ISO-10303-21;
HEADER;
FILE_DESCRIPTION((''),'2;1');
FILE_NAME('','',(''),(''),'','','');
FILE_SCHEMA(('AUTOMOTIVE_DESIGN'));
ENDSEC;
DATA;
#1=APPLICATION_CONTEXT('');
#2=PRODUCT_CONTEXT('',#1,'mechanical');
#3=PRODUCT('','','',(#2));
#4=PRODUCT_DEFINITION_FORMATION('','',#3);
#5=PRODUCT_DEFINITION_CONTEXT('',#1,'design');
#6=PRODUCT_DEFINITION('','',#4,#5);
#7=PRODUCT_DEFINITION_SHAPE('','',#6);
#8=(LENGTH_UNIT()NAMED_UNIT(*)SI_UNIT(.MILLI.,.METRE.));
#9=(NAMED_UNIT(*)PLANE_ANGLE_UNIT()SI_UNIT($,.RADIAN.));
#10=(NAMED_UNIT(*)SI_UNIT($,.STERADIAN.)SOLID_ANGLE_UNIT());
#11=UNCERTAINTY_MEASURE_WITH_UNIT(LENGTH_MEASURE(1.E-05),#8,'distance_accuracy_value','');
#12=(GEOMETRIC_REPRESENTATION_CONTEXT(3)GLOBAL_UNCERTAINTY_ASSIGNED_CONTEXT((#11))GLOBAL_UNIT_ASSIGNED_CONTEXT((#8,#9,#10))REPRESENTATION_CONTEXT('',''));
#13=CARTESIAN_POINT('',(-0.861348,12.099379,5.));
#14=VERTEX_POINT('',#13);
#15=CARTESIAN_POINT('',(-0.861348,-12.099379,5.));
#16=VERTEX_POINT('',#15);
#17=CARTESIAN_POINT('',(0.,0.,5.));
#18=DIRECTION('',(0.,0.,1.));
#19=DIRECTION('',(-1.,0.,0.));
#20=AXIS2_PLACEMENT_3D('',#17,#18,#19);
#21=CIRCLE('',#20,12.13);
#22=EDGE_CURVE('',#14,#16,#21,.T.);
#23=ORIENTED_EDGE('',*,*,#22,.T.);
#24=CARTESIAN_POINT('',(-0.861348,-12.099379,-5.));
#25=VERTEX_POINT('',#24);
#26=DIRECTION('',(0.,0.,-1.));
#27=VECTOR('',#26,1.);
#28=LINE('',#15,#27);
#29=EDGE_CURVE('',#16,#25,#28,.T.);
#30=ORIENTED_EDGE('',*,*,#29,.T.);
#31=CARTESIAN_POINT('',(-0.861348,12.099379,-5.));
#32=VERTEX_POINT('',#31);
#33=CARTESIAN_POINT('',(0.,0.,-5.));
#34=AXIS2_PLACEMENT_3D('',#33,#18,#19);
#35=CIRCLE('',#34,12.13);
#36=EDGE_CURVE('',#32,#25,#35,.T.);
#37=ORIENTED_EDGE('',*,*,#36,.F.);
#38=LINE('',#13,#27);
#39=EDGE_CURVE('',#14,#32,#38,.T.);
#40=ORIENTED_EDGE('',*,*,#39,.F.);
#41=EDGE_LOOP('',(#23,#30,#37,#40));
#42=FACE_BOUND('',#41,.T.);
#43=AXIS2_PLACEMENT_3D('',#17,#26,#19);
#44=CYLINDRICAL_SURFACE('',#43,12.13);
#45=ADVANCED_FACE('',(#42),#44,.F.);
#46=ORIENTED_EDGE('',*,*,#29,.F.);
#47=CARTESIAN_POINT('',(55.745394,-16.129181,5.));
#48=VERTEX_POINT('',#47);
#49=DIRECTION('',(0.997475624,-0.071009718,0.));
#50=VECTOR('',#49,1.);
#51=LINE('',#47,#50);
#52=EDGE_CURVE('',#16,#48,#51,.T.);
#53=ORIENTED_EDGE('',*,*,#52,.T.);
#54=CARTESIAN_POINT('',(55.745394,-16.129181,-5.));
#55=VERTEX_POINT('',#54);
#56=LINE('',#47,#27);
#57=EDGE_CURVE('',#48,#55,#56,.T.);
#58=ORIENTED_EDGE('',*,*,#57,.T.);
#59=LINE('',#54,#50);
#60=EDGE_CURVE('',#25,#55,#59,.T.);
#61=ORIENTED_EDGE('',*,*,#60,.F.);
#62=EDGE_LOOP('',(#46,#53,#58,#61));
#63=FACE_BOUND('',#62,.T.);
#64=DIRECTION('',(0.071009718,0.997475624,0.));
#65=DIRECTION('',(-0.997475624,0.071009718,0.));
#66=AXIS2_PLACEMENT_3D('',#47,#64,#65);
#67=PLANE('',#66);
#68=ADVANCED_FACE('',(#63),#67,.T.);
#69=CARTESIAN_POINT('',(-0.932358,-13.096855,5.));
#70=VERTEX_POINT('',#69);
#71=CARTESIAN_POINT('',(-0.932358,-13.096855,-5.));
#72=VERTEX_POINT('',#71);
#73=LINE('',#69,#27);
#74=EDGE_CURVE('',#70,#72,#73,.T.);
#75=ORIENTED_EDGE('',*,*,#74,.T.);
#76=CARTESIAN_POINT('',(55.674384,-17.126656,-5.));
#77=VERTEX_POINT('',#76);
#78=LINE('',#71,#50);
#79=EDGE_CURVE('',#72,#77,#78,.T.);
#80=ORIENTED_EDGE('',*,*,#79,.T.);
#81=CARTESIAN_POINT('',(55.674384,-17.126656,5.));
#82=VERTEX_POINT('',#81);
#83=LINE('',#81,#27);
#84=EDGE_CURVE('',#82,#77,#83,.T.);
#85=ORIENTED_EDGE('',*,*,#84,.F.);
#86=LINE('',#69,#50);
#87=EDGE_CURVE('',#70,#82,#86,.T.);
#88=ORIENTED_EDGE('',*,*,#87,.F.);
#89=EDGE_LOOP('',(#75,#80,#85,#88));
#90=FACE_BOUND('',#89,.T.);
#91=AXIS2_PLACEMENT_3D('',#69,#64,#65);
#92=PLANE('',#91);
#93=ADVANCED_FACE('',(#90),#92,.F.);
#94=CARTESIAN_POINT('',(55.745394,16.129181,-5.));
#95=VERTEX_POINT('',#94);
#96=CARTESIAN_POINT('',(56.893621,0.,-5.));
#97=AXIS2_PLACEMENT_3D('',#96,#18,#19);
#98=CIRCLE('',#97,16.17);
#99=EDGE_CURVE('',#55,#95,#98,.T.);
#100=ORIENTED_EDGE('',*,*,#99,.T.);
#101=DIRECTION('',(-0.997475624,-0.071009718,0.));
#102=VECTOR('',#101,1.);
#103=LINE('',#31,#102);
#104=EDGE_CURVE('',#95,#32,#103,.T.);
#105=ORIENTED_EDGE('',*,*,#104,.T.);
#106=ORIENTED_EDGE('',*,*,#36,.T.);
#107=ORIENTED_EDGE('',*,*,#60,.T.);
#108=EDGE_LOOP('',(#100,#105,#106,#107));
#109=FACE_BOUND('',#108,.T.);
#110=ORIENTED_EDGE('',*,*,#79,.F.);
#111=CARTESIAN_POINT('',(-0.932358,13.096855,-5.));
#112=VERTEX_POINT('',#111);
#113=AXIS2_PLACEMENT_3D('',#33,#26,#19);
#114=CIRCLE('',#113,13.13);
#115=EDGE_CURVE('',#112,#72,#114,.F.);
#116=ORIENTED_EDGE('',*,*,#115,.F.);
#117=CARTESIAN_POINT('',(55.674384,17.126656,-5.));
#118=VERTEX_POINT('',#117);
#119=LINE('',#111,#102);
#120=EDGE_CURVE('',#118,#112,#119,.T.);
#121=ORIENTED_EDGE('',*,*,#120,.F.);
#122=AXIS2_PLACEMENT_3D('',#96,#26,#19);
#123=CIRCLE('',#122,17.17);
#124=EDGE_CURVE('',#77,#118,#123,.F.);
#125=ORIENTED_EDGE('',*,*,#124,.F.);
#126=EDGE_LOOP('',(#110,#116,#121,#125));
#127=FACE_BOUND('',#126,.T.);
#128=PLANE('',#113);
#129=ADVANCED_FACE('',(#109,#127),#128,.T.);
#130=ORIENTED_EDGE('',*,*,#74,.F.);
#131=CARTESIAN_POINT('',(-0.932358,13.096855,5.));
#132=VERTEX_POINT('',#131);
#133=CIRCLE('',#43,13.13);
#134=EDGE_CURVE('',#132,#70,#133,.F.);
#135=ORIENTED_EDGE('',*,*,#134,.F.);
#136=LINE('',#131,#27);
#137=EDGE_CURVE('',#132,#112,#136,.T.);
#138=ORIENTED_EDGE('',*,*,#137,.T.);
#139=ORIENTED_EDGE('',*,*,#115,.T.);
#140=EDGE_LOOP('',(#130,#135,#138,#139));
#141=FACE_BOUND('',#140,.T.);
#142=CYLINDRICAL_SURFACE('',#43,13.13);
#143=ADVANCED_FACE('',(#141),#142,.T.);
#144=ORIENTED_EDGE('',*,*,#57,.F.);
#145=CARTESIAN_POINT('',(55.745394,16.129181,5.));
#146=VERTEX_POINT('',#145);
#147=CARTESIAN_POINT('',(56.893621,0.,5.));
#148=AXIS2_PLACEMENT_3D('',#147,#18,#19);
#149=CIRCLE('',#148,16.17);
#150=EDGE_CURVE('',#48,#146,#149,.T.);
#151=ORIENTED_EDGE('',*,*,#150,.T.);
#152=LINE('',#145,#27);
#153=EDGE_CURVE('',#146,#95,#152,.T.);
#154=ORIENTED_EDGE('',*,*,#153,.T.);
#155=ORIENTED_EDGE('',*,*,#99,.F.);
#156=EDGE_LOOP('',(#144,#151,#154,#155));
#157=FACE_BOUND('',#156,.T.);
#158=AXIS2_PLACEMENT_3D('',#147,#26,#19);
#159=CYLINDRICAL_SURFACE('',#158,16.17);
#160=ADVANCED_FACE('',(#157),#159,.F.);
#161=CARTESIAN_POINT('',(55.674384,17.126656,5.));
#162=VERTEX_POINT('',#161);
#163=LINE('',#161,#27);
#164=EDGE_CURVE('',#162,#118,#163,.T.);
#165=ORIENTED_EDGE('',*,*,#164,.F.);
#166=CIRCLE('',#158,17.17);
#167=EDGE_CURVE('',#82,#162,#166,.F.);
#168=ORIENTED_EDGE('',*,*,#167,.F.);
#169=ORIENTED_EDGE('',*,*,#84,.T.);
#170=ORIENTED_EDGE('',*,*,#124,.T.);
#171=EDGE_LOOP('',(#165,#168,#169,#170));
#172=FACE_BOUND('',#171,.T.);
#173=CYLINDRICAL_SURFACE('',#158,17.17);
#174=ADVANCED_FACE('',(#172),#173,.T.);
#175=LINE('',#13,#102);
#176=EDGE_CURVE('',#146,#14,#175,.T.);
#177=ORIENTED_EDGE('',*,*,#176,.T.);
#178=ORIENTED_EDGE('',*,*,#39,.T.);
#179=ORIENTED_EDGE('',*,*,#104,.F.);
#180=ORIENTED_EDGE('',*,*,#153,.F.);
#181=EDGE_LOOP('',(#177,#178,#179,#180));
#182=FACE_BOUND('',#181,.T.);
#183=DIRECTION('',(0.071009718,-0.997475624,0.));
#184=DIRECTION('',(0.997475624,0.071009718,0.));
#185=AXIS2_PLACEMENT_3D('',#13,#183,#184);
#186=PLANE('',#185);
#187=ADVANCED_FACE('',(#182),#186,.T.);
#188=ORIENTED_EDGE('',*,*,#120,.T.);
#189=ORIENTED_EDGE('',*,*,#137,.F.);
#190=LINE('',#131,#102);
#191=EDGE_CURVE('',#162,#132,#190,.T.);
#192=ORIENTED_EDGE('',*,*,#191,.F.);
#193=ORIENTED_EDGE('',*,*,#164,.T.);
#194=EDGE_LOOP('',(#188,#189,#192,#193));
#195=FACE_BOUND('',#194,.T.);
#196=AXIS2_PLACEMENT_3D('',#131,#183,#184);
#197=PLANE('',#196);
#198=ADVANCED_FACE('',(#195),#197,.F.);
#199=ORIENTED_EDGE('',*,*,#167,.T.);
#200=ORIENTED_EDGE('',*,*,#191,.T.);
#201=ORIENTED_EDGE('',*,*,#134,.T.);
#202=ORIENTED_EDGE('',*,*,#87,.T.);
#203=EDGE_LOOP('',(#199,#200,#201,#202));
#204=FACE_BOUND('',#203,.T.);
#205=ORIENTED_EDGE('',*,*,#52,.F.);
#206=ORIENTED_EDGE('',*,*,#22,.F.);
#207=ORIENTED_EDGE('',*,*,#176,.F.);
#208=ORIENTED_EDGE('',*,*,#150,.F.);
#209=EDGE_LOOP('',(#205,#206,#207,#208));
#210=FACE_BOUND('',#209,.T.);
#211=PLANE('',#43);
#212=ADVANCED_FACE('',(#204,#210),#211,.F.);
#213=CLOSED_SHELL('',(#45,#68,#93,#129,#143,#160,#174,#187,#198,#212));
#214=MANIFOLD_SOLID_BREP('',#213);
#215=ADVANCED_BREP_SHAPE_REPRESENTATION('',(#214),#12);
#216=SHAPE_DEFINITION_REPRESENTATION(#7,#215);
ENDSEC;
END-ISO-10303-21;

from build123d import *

# Parameters (mm, degrees)
EXTRU_MINCE1_DEPTH = 5


with BuildPart() as part:
    # Esquisse1 → Extru.-Mince1 (new, symmetric)
    with BuildSketch(Plane.XY):
        with BuildLine():
            Line((-0.932357603, 13.096854939), (55.674384043, 17.126656459))
            ThreePointArc((55.674384043, 17.126656459), (74.063620908, 0), (55.674384043, -17.126656459))
            Line((55.674384043, -17.126656459), (-0.932357603, -13.096854939))
            ThreePointArc((-0.932357603, -13.096854939), (-13.13, 0), (-0.932357603, 13.096854939))
        make_face()
        with BuildLine():
            Line((-0.861347884, 12.099379316), (55.745393761, 16.129180835))
            ThreePointArc((55.745393761, 16.129180835), (73.063620908, 0), (55.745393761, -16.129180835))
            Line((55.745393761, -16.129180835), (-0.861347884, -12.099379316))
            ThreePointArc((-0.861347884, -12.099379316), (-12.13, 0), (-0.861347884, 12.099379316))
        make_face(mode=Mode.SUBTRACT)
    extrude(amount=EXTRU_MINCE1_DEPTH, both=True)


solid = part.part
